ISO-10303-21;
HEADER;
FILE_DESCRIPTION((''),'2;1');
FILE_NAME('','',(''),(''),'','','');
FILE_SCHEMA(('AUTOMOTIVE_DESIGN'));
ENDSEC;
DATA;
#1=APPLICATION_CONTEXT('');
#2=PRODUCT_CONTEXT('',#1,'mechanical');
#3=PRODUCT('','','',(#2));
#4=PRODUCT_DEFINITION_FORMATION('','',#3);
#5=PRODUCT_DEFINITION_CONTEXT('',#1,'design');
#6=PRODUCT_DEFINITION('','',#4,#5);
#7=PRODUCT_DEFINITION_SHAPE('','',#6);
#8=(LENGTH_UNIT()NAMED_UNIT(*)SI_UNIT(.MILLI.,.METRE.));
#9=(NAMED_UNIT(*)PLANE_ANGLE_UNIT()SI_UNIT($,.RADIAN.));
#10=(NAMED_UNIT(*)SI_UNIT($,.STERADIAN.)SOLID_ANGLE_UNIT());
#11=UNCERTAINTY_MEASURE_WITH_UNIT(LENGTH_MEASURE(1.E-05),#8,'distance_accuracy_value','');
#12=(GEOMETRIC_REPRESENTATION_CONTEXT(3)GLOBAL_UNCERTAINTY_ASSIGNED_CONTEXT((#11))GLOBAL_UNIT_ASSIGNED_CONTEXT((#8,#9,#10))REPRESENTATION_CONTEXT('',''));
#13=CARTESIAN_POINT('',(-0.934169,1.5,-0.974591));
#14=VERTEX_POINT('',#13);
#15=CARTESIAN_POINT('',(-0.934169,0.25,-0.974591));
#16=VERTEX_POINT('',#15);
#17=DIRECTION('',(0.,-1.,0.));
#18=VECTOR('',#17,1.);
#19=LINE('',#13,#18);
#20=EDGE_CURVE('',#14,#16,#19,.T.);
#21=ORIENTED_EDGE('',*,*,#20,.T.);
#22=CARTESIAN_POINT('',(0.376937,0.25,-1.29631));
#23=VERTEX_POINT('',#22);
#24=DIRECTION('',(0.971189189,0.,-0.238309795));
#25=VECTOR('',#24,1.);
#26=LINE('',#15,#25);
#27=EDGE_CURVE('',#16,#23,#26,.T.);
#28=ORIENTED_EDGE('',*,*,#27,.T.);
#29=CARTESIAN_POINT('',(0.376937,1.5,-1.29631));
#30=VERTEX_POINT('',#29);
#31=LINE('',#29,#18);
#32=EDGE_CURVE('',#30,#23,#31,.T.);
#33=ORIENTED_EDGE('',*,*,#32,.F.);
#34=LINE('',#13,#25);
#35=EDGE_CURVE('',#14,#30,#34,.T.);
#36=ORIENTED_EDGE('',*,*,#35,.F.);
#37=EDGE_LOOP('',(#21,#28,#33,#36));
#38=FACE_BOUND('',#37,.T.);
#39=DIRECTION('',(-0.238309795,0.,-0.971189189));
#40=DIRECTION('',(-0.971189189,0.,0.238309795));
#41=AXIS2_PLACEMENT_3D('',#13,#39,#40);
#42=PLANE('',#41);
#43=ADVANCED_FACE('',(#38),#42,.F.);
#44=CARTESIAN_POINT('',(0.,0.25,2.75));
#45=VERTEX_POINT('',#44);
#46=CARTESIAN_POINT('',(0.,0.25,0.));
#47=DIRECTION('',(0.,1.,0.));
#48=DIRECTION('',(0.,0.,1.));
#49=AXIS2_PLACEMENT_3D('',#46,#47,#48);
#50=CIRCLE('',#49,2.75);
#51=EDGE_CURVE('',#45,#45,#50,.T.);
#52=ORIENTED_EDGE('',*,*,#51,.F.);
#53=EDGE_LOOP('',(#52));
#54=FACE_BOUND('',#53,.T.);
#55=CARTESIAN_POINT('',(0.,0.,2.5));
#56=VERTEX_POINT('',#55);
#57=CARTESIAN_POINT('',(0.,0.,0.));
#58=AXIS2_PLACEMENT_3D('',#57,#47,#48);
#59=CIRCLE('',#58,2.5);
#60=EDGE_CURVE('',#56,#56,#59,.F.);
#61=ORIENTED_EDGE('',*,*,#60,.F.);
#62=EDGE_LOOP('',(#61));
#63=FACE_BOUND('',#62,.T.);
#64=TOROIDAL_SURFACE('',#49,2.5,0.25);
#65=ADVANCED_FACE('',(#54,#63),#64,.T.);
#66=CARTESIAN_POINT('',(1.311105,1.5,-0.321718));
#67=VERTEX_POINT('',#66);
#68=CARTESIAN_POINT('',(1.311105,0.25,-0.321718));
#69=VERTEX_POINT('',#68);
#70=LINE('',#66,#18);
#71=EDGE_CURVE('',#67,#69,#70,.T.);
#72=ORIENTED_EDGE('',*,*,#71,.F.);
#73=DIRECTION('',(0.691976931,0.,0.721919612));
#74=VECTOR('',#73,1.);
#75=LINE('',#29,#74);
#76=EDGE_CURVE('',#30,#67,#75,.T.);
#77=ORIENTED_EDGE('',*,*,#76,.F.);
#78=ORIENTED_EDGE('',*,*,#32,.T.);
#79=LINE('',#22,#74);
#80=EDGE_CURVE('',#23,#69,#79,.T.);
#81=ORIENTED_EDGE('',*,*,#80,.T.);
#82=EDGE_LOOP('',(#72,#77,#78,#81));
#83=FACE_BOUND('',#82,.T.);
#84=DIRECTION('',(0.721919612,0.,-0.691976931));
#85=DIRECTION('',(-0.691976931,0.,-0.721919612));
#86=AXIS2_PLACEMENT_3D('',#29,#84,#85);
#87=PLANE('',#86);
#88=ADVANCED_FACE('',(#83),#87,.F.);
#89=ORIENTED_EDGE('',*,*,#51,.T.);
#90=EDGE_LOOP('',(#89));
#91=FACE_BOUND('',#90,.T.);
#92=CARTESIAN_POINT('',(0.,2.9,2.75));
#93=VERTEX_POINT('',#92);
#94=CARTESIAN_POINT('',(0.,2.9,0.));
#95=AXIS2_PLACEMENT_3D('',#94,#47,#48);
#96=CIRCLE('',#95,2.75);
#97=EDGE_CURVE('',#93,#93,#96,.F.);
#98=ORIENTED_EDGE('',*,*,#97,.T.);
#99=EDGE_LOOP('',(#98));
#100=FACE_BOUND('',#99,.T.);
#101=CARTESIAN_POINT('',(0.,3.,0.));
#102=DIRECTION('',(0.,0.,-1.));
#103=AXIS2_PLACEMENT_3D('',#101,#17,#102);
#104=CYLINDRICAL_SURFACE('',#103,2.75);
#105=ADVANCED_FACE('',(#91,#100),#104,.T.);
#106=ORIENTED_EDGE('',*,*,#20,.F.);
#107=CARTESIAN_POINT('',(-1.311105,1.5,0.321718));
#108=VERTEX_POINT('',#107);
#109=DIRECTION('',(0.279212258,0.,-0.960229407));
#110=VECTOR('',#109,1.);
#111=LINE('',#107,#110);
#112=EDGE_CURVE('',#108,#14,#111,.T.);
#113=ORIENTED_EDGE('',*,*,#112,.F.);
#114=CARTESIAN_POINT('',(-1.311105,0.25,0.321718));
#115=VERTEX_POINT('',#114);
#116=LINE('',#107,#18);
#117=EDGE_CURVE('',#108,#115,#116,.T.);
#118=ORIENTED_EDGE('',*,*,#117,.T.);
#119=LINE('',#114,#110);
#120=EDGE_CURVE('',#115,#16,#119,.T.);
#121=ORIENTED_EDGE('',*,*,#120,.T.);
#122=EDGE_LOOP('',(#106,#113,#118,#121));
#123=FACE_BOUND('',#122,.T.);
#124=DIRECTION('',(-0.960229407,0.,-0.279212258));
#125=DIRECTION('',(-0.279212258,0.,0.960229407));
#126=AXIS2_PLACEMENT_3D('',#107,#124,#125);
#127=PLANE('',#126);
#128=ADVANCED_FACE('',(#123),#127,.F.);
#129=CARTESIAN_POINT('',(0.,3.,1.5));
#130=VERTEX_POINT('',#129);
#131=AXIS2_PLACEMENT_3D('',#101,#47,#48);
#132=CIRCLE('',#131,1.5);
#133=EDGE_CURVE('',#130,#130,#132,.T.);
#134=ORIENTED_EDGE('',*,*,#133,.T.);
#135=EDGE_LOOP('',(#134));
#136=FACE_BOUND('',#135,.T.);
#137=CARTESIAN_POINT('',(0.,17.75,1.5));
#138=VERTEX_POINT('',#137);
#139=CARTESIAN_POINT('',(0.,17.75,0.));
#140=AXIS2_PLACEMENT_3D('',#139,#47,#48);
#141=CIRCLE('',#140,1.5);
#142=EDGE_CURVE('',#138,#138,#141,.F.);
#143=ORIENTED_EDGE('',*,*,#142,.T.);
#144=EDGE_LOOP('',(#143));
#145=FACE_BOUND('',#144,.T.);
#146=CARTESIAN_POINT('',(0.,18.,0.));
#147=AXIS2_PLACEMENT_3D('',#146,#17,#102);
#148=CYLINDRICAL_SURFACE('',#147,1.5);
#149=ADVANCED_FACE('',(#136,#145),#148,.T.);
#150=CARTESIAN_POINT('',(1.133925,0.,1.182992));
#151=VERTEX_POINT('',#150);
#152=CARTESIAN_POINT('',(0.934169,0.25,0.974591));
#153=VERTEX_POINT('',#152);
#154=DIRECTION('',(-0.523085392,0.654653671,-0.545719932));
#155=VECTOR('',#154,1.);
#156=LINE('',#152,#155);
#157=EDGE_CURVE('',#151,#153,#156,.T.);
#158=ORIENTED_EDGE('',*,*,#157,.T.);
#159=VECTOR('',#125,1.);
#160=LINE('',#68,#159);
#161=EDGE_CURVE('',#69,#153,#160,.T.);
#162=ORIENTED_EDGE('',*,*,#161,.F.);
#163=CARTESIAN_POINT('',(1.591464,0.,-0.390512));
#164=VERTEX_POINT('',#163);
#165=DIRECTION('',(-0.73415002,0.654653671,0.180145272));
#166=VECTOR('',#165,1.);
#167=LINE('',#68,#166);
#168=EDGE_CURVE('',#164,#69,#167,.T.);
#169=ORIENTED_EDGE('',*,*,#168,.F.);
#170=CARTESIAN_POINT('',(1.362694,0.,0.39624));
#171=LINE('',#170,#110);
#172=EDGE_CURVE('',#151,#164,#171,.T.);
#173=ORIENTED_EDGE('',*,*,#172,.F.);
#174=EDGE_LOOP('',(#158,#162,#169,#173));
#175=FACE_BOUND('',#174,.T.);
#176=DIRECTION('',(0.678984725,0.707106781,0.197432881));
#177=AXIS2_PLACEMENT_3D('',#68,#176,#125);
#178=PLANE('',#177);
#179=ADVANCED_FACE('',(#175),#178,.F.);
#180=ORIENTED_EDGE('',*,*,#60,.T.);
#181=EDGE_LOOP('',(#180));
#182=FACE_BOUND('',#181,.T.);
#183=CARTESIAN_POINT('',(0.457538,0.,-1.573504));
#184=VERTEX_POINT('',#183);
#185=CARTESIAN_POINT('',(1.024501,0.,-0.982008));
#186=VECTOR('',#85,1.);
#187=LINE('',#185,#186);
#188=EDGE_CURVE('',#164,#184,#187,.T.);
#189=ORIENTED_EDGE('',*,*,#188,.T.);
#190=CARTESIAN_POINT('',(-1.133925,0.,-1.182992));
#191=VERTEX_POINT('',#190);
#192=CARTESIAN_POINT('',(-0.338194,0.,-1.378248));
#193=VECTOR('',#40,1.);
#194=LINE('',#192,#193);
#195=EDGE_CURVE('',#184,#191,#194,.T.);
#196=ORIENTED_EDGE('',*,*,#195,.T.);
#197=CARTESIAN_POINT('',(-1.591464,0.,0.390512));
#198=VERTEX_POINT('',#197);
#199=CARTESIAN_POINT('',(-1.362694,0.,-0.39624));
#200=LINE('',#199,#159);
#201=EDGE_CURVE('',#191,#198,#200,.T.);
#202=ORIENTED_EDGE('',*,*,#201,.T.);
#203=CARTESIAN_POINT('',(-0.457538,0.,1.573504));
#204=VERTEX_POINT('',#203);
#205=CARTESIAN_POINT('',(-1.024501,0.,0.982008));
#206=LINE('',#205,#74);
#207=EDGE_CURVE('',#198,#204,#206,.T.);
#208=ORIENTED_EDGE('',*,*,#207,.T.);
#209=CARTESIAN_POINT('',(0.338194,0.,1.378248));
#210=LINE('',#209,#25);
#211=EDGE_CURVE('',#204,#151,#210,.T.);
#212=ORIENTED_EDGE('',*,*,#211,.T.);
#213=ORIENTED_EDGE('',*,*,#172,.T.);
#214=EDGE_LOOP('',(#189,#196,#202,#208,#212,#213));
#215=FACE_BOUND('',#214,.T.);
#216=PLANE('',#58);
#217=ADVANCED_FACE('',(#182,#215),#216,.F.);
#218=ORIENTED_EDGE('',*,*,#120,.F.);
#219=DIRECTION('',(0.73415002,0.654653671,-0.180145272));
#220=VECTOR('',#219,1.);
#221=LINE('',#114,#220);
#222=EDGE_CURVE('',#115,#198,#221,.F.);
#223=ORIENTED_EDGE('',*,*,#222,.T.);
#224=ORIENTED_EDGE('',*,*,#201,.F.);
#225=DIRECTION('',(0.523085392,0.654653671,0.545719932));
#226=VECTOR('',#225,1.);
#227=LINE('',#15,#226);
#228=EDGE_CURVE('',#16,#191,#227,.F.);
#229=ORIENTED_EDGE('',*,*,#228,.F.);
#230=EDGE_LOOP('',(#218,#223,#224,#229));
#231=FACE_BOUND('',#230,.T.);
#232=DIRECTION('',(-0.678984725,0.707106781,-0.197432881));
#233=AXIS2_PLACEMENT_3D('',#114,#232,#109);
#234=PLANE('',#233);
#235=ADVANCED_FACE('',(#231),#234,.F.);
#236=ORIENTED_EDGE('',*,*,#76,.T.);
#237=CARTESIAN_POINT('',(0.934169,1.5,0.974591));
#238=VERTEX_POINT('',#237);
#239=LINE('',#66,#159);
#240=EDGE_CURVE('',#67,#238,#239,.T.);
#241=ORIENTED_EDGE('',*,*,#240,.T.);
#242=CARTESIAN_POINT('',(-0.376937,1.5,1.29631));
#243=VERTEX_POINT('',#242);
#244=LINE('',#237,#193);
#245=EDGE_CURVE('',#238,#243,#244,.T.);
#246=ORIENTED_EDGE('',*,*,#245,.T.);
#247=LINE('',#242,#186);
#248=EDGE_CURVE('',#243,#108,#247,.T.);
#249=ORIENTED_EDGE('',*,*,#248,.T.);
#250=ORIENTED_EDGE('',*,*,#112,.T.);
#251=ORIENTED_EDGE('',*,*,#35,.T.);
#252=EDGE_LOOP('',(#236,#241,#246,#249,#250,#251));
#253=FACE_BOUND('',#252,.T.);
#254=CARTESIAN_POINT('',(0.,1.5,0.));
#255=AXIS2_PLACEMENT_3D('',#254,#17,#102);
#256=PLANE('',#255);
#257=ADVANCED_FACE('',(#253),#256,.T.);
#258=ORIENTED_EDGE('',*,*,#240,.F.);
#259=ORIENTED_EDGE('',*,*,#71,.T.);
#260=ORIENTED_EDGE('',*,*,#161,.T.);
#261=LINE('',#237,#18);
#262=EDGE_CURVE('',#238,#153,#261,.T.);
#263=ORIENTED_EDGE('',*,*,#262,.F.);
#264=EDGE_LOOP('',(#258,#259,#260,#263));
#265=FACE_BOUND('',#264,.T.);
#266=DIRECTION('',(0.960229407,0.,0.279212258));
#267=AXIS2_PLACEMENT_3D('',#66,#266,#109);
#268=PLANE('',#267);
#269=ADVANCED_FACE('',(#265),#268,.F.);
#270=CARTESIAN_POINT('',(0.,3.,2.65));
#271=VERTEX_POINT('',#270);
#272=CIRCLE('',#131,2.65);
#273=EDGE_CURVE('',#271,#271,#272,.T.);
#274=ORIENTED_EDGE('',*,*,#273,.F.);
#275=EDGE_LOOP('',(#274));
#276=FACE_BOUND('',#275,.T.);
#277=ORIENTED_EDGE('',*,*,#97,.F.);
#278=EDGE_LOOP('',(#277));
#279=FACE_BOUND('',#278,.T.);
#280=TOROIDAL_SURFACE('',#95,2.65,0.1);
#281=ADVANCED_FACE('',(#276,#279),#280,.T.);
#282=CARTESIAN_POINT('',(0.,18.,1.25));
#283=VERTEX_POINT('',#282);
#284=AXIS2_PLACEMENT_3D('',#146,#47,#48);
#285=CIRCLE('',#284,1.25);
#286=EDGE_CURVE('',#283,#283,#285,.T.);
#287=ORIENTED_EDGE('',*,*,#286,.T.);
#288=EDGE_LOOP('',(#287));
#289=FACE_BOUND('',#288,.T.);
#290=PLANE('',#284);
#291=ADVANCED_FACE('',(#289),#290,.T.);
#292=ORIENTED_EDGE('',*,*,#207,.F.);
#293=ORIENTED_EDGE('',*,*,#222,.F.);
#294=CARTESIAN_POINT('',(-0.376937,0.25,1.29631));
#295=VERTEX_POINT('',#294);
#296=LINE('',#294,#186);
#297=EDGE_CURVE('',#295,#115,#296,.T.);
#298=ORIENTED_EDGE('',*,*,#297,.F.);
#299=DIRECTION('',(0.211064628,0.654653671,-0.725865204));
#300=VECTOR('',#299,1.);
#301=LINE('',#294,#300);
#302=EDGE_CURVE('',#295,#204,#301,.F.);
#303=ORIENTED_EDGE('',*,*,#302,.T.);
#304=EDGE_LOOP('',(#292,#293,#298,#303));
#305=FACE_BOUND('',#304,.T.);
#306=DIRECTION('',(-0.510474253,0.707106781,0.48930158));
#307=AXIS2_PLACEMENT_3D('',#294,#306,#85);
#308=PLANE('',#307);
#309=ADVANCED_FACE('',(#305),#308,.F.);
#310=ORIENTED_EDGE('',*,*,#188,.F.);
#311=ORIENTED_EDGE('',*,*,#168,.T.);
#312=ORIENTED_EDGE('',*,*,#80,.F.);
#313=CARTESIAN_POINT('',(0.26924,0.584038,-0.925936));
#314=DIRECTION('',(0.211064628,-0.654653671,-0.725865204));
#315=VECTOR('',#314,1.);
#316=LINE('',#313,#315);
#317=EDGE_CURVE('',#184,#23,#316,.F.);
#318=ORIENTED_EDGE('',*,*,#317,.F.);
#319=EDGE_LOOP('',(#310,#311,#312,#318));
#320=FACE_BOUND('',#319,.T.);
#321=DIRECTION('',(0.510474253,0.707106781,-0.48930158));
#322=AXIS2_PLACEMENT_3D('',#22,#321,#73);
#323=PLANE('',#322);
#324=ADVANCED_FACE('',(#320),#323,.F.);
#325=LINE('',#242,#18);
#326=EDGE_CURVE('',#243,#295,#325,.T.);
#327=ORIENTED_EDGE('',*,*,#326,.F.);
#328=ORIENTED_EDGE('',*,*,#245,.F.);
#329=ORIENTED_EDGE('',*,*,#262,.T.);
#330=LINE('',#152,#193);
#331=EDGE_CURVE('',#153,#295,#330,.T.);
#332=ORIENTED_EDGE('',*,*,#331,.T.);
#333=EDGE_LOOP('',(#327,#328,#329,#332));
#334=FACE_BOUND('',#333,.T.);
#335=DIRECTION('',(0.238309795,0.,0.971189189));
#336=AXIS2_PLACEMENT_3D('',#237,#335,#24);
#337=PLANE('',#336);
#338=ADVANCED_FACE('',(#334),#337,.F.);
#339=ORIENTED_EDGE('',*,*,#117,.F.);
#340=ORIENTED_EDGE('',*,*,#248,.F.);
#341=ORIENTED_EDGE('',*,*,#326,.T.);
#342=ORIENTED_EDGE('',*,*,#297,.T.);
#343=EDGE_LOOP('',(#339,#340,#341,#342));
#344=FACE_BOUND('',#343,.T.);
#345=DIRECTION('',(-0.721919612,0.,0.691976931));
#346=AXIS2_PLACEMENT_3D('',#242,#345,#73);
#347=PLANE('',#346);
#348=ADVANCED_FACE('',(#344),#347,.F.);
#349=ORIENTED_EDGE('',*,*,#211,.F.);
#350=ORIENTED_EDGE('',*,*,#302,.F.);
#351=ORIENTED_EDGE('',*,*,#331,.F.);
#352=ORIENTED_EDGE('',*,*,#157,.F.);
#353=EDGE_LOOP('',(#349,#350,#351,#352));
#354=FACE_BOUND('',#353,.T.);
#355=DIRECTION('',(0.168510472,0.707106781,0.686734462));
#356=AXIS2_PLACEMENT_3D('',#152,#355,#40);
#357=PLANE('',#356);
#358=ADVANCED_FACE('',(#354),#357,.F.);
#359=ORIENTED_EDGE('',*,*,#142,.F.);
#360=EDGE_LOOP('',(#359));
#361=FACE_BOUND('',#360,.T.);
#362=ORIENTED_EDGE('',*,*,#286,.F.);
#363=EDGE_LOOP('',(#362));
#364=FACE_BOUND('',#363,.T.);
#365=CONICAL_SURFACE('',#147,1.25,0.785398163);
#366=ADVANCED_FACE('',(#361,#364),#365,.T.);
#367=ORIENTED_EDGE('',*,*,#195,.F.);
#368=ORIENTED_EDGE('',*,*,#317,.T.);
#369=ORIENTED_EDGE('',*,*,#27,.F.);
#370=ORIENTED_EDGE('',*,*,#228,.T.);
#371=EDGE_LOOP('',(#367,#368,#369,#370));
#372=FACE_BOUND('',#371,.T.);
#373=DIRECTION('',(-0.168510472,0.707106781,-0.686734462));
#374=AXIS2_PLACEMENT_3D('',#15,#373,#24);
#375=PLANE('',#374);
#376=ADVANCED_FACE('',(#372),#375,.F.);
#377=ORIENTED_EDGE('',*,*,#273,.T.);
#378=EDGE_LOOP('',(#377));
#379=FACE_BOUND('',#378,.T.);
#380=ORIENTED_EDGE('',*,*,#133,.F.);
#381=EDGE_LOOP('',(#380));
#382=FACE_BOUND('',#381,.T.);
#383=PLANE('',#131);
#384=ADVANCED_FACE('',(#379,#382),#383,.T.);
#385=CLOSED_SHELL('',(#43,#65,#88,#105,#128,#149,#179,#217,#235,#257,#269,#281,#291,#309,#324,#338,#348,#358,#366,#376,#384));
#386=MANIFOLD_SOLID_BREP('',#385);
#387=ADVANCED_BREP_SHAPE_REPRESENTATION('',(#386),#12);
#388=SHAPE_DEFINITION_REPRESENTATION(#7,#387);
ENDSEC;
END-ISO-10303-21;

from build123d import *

# Parameters (mm, degrees)
SKETCH1_R           = 2.75
BOSS_EXTRUDE1_DEPTH = 3
SKETCH2_R           = 1.5
BOSS_EXTRUDE2_DEPTH = 15
CUT_EXTRUDE1_DEPTH  = 1.5
CHAMFER1_SIZE       = 0.25
FILLET1_R           = 0.25
CHAMFER2_SIZE       = 0.25
FILLET2_R           = 0.1


with BuildPart() as part:
    # Sketch1 → Boss-Extrude1 (new body)
    with BuildSketch(Plane(origin=(0, 0, 0), x_dir=(1, 0, 0), z_dir=(0, 1, 0))):
        with Locations(Location((0, 0, 0), (0, 0, 270))):
            Circle(SKETCH1_R)
    extrude(amount=BOSS_EXTRUDE1_DEPTH)

    # Sketch2 → Boss-Extrude2 (add)
    with BuildSketch(Plane(origin=(0, 3, 0), x_dir=(1, 0, 0), z_dir=(0, 1, 0))):
        with Locations(Location((0, 0, 0), (0, 0, 270))):
            Circle(SKETCH2_R)
    extrude(amount=BOSS_EXTRUDE2_DEPTH)

    # Sketch3 → Cut-Extrude1 (cut)
    with BuildSketch(Plane.XZ):
        Polygon((0.934168857, 0.974591477), (-0.376936549, 1.2963097), (-1.311105406, 0.321718223), (-0.934168857, -0.974591477), (0.376936549, -1.2963097), (1.311105406, -0.321718223), align=None)
    extrude(amount=-CUT_EXTRUDE1_DEPTH, mode=Mode.SUBTRACT)

    # Chamfer1
    chamfer1_edges = [part.edges().sort_by_distance(p)[0] for p in [
        (1.122637131, 0, 0.326436627),
        (0.278616154, 0, 1.135450588),
        (-0.844020977, 0, 0.809013962),
        (-1.122637131, 0, -0.326436627),
        (-0.278616154, 0, -1.135450588),
        (0.844020977, 0, -0.809013962),
    ]]
    chamfer(chamfer1_edges, length=CHAMFER1_SIZE)

    # Fillet1
    fillet1_edges = [part.edges().sort_by_distance(p)[0] for p in [
        (0, 0, -2.75),
    ]]
    fillet(fillet1_edges, radius=FILLET1_R)

    # Chamfer2
    chamfer2_edges = [part.edges().sort_by_distance(p)[0] for p in [
        (0, 18, -1.5),
    ]]
    chamfer(chamfer2_edges, length=CHAMFER2_SIZE)

    # Fillet2
    fillet2_edges = [part.edges().sort_by_distance(p)[0] for p in [
        (0, 3, -2.75),
    ]]
    fillet(fillet2_edges, radius=FILLET2_R)


solid = part.part
